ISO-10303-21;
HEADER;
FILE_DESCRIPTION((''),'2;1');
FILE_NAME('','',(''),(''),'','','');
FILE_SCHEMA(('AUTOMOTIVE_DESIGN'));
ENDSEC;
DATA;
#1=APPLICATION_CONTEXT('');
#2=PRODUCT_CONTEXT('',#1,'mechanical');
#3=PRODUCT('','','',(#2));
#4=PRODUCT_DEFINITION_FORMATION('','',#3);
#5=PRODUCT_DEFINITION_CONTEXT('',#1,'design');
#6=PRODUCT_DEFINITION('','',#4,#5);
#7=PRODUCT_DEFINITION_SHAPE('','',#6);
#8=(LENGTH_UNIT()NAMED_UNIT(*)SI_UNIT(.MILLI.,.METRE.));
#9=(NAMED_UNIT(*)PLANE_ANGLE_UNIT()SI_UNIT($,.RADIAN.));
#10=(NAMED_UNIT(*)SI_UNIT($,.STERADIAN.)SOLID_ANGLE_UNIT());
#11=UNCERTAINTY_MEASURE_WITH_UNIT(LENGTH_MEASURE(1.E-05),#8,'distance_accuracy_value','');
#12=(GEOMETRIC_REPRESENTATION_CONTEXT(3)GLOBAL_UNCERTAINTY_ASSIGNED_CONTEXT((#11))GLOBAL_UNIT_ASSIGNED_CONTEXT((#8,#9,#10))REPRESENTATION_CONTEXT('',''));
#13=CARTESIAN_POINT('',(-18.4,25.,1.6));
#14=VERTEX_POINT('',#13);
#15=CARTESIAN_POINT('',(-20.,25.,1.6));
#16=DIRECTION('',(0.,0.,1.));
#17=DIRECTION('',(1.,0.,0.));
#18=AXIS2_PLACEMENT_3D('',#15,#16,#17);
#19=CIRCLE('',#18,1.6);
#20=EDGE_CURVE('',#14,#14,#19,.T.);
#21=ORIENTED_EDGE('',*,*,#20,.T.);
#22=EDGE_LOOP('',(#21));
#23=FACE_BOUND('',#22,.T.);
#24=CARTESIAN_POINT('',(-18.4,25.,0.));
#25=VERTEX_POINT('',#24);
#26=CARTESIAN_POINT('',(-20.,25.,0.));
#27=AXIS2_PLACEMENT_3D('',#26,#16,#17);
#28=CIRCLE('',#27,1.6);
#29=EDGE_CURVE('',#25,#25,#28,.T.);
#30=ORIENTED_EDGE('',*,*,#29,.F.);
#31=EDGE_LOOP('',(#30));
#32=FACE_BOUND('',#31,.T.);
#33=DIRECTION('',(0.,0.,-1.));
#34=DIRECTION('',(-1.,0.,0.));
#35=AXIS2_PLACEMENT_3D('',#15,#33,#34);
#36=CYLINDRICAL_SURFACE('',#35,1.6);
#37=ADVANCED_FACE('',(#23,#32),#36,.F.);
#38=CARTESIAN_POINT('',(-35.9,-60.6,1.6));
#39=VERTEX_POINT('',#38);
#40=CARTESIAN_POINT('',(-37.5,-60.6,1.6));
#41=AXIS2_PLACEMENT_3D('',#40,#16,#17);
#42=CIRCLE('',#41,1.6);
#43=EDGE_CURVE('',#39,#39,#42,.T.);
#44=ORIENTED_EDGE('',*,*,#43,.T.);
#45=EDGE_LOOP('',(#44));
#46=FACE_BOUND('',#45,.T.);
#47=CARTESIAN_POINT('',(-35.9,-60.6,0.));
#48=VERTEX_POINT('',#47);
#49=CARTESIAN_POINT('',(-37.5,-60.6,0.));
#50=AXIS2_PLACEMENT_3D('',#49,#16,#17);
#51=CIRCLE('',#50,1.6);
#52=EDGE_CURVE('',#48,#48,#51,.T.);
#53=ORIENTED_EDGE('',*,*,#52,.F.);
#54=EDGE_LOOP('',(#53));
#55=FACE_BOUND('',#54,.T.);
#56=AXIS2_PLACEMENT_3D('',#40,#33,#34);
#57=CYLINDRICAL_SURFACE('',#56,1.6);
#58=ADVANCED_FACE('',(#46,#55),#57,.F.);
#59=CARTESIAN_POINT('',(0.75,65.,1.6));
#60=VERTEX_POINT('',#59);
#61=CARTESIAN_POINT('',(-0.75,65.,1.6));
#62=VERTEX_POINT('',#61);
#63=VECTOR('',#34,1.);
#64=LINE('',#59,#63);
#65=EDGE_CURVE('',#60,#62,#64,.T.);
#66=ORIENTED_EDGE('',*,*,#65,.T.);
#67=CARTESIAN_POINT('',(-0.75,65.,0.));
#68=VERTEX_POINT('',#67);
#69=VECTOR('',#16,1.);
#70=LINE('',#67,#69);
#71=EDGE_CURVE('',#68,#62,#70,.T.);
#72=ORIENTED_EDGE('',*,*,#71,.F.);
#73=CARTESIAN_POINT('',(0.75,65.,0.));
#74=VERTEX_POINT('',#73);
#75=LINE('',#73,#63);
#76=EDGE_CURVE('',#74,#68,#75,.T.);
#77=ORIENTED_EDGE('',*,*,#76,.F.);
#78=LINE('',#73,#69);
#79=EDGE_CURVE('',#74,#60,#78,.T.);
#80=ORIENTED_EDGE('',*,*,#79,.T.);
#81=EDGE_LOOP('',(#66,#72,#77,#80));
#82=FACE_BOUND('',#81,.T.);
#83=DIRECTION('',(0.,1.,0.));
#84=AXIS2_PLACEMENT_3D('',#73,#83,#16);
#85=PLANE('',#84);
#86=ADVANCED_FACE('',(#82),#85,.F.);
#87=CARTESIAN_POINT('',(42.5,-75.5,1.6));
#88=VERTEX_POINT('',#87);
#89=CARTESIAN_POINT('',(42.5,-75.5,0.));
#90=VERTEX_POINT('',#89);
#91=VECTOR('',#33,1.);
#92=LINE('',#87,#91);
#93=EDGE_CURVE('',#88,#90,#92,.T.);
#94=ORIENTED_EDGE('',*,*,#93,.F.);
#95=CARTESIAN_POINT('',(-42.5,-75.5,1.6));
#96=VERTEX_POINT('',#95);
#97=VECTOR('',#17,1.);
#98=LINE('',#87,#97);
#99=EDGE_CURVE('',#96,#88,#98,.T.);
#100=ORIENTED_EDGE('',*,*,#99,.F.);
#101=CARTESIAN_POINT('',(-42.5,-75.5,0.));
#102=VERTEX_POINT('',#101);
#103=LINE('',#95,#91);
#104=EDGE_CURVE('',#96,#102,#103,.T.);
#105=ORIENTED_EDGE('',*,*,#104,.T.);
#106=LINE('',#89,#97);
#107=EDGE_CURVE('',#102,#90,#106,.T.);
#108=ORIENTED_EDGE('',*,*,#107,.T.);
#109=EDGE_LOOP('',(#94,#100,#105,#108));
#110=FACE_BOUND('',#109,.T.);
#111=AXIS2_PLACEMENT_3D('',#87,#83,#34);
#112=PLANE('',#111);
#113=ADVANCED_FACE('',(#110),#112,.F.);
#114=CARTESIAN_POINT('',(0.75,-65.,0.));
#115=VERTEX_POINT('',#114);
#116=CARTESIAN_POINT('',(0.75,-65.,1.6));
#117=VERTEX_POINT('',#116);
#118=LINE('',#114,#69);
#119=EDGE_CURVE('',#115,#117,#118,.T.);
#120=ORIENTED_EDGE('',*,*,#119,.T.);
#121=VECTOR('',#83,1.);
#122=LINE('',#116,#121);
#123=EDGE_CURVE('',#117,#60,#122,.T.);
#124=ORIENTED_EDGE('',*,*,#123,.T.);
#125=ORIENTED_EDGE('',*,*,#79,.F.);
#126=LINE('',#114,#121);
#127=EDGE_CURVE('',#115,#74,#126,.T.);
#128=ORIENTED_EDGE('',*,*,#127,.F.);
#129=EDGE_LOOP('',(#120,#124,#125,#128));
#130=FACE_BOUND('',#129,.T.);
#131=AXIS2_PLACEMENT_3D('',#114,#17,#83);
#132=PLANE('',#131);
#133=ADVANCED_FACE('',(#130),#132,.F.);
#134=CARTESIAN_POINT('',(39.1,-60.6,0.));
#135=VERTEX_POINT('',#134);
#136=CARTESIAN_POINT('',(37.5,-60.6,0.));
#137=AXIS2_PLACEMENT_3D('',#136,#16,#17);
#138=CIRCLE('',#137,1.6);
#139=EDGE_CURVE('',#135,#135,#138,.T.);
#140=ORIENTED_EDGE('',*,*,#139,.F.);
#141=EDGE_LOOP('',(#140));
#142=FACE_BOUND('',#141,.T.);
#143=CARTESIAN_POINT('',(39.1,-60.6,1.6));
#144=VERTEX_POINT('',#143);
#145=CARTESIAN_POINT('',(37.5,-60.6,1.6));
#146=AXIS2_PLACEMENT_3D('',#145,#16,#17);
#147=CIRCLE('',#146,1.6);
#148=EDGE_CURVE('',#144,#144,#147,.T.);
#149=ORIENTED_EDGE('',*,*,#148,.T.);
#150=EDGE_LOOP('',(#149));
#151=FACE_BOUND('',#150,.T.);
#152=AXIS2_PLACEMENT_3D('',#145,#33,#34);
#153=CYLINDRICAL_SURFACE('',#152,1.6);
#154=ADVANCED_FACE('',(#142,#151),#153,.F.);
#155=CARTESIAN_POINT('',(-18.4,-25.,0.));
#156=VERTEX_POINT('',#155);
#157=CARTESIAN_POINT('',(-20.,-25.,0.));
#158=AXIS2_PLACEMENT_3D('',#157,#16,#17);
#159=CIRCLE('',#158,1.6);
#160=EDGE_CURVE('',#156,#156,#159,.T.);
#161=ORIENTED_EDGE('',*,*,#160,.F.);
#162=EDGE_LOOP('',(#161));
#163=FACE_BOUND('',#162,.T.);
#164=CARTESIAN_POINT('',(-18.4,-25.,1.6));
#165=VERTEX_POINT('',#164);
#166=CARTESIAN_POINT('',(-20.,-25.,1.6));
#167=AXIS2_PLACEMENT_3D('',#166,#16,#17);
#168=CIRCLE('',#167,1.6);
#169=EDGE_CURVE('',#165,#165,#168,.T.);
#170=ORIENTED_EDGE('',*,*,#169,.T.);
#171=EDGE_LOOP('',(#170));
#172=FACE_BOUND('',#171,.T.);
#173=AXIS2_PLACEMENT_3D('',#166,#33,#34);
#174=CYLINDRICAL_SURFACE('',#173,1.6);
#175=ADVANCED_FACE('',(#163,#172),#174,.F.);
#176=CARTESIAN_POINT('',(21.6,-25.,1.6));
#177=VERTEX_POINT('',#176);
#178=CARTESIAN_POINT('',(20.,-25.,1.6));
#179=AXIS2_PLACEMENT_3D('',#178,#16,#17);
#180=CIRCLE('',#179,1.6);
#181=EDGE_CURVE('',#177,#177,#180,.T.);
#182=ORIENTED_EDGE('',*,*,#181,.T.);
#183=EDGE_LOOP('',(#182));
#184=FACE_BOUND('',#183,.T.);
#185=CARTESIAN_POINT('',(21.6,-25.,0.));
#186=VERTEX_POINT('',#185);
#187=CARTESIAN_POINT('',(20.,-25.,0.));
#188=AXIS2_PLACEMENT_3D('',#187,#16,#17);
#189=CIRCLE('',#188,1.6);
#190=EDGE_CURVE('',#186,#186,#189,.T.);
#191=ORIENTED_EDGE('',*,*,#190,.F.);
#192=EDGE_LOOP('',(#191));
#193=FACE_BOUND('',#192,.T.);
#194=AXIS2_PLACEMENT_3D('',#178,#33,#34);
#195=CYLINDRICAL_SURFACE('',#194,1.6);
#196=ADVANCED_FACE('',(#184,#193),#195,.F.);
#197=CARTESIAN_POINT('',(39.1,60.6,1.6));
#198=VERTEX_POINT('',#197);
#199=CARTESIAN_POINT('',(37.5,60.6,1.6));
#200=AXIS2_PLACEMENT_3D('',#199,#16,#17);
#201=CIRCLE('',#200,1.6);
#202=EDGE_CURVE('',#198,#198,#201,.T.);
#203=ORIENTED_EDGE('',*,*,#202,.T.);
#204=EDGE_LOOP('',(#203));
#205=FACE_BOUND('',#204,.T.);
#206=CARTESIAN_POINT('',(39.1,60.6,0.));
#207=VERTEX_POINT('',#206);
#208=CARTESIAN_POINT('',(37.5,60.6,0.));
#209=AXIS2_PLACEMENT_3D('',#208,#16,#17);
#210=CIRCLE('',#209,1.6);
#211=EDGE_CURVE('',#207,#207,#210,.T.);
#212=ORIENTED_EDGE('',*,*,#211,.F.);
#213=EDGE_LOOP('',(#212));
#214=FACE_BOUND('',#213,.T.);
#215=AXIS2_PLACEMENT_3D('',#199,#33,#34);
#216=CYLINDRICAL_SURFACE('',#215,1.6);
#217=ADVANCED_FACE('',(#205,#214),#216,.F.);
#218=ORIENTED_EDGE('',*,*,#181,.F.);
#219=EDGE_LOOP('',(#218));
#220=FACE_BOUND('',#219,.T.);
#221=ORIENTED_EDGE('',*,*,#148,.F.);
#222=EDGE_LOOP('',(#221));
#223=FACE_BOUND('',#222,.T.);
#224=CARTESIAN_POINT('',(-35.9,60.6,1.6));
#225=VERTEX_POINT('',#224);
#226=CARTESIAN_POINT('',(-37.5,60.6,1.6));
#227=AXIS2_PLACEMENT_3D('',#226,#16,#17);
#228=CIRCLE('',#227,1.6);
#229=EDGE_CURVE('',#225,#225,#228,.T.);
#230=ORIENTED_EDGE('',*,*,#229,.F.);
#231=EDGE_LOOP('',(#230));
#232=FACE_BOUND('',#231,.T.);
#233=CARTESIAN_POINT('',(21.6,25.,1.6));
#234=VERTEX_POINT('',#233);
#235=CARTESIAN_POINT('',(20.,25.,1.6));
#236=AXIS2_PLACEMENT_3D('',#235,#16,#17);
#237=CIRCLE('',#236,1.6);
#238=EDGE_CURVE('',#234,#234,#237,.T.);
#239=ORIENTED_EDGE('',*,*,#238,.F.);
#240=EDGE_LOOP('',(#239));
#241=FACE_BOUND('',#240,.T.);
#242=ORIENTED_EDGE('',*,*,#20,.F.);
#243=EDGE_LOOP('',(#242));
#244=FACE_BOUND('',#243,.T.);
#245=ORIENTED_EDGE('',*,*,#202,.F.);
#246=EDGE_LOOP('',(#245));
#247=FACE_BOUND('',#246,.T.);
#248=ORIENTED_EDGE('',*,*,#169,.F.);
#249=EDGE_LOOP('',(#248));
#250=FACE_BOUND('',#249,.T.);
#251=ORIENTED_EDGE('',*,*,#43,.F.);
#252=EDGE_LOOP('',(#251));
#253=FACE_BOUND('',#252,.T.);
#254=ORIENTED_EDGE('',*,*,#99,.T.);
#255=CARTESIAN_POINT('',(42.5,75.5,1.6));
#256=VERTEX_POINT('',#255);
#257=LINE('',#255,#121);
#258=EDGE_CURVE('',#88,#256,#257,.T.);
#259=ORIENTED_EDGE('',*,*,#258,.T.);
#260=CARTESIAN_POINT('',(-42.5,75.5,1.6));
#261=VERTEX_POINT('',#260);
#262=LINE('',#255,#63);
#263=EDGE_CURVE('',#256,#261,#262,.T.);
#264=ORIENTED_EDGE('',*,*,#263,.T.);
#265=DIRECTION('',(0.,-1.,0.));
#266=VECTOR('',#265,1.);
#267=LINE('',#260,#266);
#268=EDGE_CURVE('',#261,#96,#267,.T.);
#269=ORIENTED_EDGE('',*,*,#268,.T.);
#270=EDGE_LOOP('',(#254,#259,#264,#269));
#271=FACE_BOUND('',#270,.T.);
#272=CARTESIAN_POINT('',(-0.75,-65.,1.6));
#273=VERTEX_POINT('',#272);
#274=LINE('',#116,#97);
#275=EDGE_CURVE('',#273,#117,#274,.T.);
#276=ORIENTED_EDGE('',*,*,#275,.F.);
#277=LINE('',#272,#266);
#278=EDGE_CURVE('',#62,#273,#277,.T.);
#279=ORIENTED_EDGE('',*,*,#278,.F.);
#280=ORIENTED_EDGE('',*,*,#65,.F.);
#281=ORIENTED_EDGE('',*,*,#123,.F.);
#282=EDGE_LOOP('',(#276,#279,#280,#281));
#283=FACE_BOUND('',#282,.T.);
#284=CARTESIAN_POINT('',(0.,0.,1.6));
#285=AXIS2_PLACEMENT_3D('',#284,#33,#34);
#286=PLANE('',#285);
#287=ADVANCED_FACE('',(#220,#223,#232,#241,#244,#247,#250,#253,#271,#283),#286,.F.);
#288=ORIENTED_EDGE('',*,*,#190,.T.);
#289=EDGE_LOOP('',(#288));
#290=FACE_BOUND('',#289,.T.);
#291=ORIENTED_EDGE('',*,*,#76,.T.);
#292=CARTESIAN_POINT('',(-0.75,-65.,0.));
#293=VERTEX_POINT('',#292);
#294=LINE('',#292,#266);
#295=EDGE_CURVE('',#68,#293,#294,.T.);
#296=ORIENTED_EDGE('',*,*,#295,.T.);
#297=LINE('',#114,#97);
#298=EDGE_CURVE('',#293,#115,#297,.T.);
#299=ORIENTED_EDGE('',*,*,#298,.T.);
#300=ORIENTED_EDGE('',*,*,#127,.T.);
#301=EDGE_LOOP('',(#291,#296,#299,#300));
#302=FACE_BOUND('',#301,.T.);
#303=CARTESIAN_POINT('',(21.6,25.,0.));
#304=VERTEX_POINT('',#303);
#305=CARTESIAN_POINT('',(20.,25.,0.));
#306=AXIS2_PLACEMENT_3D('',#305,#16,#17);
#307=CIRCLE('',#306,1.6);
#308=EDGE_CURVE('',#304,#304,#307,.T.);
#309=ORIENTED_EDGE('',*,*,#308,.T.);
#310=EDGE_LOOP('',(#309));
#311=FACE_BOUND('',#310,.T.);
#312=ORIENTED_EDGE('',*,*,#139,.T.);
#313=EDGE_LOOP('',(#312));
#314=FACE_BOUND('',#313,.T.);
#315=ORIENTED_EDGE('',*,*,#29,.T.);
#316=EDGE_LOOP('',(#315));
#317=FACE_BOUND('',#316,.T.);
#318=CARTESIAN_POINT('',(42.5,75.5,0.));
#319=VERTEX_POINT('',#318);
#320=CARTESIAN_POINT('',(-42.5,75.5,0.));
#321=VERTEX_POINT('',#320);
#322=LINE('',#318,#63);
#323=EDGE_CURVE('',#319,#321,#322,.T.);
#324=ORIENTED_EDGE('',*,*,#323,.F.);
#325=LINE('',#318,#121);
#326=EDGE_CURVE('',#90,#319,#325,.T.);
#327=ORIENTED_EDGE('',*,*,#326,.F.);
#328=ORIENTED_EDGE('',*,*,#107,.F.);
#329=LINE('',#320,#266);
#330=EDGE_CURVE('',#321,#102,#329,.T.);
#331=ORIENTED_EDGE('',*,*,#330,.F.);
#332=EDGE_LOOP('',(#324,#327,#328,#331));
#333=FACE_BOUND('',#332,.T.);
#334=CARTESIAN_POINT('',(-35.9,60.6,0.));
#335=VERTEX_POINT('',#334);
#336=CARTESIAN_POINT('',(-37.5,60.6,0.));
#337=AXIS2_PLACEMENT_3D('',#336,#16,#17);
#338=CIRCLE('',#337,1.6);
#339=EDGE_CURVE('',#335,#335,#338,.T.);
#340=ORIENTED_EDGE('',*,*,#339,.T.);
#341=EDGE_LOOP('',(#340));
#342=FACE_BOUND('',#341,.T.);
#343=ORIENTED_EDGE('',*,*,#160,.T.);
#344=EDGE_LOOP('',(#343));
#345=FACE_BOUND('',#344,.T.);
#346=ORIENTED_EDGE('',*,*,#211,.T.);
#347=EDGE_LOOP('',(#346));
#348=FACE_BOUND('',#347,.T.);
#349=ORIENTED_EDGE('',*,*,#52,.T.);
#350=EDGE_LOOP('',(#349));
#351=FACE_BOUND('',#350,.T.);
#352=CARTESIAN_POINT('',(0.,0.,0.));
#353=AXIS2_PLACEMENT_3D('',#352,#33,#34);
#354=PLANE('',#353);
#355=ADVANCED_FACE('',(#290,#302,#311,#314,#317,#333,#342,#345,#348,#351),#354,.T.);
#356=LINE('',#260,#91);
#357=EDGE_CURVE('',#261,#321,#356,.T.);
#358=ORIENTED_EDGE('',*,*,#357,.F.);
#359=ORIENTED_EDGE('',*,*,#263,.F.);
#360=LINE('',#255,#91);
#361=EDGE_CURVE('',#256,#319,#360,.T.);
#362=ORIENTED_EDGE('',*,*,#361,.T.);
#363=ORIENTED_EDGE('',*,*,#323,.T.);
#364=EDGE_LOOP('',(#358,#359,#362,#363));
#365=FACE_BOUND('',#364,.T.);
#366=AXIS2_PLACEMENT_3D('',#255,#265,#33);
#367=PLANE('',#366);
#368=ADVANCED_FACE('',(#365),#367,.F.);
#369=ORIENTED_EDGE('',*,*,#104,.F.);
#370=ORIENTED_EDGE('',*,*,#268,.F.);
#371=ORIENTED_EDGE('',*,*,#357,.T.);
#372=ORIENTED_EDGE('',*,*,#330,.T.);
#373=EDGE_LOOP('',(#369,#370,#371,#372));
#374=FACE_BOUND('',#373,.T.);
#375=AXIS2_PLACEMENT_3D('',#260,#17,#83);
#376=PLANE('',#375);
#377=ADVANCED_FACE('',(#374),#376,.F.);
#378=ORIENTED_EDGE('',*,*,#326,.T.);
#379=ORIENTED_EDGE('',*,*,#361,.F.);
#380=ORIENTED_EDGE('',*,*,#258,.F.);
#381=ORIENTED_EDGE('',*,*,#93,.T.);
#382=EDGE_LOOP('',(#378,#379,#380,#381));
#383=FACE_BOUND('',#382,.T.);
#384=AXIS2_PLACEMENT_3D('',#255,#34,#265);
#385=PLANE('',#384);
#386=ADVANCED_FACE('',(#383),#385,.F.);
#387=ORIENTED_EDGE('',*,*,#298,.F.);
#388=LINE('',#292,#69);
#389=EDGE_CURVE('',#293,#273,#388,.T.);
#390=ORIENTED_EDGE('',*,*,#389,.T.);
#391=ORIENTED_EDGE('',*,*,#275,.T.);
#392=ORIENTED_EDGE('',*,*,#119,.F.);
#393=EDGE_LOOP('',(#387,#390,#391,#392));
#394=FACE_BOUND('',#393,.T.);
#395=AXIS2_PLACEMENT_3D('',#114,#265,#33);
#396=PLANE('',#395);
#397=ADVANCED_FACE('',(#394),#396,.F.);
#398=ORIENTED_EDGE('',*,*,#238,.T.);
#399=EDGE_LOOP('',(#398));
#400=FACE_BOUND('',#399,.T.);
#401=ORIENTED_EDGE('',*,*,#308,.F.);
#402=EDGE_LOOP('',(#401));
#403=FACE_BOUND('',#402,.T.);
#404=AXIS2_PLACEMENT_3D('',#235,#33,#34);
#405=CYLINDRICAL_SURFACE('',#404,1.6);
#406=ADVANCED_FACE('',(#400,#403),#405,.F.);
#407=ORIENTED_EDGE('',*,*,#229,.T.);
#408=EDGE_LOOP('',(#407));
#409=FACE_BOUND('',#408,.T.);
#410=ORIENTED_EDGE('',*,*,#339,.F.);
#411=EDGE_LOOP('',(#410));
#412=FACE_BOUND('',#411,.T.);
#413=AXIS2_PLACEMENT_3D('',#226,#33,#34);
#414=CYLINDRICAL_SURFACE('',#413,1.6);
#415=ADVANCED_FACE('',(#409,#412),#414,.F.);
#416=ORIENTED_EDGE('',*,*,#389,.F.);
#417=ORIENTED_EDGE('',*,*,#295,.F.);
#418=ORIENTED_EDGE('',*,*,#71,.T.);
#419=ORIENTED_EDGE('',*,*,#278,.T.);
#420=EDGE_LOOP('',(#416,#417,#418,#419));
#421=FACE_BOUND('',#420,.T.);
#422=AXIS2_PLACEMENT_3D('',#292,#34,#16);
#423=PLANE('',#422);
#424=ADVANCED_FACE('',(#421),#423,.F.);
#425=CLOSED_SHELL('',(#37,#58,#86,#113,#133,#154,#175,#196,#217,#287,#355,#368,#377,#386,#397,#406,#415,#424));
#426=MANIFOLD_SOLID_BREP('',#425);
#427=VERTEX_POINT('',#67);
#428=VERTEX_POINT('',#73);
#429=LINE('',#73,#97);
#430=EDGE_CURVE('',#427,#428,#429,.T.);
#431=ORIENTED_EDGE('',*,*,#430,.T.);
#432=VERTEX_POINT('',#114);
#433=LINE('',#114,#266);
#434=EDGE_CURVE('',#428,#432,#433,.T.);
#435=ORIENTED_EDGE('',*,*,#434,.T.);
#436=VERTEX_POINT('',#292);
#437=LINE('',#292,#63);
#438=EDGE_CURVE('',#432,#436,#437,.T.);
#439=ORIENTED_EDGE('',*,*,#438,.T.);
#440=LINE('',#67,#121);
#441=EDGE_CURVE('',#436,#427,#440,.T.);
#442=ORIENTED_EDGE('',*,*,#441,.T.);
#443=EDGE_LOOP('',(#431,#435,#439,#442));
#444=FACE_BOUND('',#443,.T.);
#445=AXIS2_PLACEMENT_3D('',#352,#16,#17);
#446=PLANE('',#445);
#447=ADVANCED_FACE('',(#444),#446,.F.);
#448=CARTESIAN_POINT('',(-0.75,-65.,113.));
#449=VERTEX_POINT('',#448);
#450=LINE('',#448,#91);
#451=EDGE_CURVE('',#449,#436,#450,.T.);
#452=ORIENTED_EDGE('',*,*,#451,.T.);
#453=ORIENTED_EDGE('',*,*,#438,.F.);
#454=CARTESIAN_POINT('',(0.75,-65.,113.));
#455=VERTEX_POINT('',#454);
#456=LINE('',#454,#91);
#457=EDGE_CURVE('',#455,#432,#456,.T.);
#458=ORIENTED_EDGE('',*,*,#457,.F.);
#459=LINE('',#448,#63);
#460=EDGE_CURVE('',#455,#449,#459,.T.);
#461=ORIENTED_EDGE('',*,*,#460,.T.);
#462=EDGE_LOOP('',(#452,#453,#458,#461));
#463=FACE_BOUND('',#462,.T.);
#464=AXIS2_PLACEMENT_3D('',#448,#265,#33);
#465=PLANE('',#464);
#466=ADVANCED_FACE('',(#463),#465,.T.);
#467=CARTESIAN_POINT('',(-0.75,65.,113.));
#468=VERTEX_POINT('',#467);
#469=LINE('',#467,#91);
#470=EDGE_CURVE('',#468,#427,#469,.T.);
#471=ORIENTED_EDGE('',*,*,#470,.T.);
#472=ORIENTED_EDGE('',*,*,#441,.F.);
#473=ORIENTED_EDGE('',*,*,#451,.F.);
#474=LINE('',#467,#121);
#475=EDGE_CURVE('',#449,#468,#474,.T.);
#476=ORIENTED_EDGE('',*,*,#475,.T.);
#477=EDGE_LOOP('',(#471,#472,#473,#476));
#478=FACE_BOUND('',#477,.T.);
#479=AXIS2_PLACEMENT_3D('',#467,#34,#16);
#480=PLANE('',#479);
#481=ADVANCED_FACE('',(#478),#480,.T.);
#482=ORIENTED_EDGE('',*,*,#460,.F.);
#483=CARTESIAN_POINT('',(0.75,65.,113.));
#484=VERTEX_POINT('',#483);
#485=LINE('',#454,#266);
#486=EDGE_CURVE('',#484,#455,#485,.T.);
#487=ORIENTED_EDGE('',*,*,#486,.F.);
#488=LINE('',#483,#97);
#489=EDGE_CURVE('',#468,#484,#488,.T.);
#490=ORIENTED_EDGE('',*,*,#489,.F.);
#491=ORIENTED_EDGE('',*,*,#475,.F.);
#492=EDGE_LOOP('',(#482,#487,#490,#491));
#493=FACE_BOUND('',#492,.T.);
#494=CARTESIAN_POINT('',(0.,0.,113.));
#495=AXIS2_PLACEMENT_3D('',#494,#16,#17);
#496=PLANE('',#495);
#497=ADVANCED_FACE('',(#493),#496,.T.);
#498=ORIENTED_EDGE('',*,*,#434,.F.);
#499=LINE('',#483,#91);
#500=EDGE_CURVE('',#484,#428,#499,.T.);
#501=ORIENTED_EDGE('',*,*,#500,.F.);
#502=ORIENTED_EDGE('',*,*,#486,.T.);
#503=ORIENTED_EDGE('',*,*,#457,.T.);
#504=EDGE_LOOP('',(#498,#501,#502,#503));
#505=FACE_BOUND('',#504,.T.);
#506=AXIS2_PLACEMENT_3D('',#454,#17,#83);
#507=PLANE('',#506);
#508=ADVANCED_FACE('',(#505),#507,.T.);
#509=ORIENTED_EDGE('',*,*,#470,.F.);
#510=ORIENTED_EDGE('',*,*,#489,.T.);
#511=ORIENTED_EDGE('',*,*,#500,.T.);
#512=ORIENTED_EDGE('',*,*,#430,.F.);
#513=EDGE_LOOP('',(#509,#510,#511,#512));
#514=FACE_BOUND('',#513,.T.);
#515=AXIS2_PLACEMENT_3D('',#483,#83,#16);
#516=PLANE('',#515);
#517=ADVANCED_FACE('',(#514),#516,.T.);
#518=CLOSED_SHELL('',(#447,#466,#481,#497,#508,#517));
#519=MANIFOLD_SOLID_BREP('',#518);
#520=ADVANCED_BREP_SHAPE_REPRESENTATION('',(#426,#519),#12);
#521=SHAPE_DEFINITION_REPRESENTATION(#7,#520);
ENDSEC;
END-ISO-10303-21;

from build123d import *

# Parameters (mm, degrees)
SKETCH2_W           = 85
SKETCH2_H           = 151
SKETCH2_R           = 1.6
BOSS_EXTRUDE1_DEPTH = 1.6
SKETCH3_W           = 1.5
SKETCH3_H           = 130
CUT_EXTRUDE1_DEPTH  = 1.6
SKETCH4_W           = 1.5
SKETCH4_H           = 130
BOSS_EXTRUDE2_DEPTH = 113


with BuildPart() as part:
    # Sketch2 → Boss-Extrude1 (new body)
    with BuildSketch(Plane.XY):
        Rectangle(SKETCH2_W, SKETCH2_H)
        with Locations((37.5, 60.6)):
            Circle(SKETCH2_R, mode=Mode.SUBTRACT)
        with Locations((-37.5, 60.6)):
            Circle(SKETCH2_R, mode=Mode.SUBTRACT)
        with Locations((-37.5, -60.6)):
            Circle(SKETCH2_R, mode=Mode.SUBTRACT)
        with Locations((37.5, -60.6)):
            Circle(SKETCH2_R, mode=Mode.SUBTRACT)
        with Locations((-20, 25)):
            Circle(SKETCH2_R, mode=Mode.SUBTRACT)
        with Locations((20, 25)):
            Circle(SKETCH2_R, mode=Mode.SUBTRACT)
        with Locations((20, -25)):
            Circle(SKETCH2_R, mode=Mode.SUBTRACT)
        with Locations((-20, -25)):
            Circle(SKETCH2_R, mode=Mode.SUBTRACT)
    extrude(amount=BOSS_EXTRUDE1_DEPTH)

    # Sketch3 → Cut-Extrude1 (cut)
    with BuildSketch(Plane.XY.offset(1.6)):
        Rectangle(SKETCH3_W, SKETCH3_H)
    extrude(amount=-CUT_EXTRUDE1_DEPTH, mode=Mode.SUBTRACT)


with BuildPart() as body_2:
    # Sketch4 → Boss-Extrude2 (new body)
    with BuildSketch(Plane(origin=(0, 0, 0), x_dir=(-1, 0, 0), z_dir=(0, 0, -1))):
        Rectangle(SKETCH4_W, SKETCH4_H)
    extrude(amount=-BOSS_EXTRUDE2_DEPTH)


solid = Compound([part.part, body_2.part])
